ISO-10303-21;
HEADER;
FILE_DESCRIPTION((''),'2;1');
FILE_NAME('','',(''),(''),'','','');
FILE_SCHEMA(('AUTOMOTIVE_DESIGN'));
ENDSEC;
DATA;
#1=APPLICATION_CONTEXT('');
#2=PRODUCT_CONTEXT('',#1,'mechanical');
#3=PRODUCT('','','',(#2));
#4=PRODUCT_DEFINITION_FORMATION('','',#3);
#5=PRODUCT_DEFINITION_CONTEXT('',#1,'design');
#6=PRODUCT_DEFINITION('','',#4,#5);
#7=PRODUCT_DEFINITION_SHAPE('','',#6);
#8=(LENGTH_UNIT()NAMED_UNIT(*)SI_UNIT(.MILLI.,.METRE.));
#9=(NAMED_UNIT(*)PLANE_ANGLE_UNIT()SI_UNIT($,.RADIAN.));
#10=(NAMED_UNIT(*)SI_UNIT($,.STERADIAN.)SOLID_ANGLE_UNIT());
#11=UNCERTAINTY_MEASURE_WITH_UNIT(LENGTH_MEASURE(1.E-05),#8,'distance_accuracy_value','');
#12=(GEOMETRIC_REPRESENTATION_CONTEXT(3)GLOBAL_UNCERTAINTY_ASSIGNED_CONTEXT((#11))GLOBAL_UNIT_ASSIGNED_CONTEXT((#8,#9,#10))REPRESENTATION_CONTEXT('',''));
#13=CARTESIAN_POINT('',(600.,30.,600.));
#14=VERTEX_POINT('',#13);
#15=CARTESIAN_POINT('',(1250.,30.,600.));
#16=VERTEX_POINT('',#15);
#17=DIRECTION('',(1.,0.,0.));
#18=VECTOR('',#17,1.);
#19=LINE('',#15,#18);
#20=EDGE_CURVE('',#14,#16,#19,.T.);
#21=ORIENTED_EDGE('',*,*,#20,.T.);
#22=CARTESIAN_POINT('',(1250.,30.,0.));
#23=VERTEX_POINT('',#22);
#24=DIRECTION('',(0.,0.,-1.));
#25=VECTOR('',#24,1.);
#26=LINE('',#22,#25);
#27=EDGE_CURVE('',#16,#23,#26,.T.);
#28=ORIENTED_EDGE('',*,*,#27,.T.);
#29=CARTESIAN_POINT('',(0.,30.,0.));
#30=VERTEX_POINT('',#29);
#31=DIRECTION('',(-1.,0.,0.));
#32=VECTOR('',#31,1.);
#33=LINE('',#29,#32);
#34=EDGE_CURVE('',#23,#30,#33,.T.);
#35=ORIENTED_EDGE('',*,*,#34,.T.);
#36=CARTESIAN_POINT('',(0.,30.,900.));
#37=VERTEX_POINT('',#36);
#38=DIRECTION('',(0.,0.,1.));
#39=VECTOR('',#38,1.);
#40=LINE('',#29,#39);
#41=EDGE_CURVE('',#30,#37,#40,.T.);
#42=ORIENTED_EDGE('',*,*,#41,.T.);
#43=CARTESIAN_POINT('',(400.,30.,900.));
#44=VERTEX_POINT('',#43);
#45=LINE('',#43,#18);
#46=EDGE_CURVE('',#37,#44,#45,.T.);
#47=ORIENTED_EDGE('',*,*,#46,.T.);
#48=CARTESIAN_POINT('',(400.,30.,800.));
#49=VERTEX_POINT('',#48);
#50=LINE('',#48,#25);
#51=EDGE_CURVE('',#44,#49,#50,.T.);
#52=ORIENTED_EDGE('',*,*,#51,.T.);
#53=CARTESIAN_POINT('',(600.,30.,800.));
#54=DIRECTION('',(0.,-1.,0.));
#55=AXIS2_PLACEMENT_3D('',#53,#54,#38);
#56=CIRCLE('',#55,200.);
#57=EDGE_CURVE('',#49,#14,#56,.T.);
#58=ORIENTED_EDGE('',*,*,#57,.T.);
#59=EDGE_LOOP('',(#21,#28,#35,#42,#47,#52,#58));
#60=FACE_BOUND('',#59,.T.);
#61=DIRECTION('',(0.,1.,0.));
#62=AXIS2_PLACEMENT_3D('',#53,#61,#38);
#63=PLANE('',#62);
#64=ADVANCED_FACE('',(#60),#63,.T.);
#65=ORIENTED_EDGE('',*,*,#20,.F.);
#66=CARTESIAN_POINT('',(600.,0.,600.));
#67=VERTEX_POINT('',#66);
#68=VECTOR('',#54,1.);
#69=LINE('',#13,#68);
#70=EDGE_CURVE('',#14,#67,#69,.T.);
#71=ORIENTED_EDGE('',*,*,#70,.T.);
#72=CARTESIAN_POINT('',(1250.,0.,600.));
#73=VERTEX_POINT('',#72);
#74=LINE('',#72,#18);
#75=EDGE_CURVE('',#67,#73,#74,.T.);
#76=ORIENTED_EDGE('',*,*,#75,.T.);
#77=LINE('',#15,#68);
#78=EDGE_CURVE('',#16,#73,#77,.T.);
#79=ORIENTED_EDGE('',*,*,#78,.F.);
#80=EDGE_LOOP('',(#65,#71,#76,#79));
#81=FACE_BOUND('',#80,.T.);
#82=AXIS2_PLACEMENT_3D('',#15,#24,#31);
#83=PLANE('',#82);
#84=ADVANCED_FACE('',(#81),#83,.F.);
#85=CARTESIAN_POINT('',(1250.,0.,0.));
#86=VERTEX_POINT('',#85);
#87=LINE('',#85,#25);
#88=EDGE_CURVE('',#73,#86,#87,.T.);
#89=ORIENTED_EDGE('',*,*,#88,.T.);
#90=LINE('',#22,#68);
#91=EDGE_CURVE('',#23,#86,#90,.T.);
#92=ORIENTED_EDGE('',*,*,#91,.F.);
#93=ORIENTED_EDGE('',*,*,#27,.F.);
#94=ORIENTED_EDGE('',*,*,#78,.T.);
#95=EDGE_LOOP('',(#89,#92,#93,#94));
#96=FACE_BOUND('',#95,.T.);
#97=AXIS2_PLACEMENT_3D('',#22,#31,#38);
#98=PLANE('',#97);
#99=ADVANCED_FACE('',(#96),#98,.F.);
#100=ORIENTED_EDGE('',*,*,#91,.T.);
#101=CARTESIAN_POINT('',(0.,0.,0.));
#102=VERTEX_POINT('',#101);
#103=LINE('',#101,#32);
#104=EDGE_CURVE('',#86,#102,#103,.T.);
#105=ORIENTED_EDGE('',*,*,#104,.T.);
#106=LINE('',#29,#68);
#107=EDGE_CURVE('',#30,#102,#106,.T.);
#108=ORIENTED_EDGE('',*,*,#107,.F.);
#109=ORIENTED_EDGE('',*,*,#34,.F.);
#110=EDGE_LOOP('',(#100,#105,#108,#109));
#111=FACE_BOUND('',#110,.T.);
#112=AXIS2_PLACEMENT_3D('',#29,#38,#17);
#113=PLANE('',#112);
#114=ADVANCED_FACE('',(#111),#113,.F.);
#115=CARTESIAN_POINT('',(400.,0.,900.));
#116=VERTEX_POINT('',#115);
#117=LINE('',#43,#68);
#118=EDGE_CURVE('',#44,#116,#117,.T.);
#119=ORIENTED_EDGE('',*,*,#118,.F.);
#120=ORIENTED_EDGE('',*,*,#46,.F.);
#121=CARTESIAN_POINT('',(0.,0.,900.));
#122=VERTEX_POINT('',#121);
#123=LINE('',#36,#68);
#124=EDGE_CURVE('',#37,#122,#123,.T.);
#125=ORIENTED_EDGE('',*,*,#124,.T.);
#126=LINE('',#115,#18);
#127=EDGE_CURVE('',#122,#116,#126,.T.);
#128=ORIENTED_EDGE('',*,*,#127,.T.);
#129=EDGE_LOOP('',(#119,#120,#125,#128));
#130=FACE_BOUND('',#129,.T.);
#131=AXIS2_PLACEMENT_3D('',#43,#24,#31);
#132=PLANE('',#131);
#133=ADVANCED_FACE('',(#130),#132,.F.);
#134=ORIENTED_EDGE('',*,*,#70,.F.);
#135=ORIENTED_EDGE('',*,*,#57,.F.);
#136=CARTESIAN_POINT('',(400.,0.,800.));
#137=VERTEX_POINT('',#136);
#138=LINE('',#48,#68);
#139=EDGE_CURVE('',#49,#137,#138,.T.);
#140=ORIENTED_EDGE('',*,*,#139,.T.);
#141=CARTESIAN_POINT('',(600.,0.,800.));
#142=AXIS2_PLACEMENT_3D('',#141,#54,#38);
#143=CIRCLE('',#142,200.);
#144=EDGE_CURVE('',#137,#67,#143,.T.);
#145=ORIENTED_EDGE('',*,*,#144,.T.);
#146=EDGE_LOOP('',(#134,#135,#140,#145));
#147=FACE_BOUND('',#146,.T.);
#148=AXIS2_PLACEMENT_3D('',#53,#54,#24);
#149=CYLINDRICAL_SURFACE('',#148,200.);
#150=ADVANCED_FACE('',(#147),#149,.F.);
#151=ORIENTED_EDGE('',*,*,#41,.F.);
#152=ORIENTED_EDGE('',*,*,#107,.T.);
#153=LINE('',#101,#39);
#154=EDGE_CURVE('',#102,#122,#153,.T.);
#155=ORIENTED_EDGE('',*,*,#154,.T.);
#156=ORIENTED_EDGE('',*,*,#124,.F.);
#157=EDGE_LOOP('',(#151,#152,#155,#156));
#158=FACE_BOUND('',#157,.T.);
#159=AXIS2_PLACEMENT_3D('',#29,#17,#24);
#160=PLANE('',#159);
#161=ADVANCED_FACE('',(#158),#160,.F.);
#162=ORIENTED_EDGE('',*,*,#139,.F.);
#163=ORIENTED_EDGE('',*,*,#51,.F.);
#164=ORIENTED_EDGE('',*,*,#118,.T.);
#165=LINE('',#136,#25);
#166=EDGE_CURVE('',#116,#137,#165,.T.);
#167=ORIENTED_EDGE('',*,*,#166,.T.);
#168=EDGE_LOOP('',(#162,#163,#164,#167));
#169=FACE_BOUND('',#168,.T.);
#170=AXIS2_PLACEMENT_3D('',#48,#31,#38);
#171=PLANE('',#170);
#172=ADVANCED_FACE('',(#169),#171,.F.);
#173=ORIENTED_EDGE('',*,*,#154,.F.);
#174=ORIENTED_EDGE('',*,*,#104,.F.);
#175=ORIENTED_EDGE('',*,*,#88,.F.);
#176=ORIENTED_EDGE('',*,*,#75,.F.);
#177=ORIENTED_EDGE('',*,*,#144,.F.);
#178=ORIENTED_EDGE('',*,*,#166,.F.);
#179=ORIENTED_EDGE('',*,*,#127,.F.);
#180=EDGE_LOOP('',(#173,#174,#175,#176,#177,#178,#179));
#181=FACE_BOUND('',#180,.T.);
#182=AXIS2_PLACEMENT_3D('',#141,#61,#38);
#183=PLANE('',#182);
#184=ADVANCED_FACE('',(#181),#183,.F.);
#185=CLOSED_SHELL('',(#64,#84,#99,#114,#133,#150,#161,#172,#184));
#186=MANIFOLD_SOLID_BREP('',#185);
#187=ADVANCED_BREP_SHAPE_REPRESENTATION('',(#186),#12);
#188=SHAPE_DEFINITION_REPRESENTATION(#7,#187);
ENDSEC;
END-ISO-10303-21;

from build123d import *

# Parameters (mm, degrees)
BOSS_EXTRUDE1_DEPTH = 30


with BuildPart() as part:
    # Sketch1 → Boss-Extrude1 (new body)
    with BuildSketch(Plane(origin=(0, 0, 0), x_dir=(1, 0, 0), z_dir=(0, 1, 0))):
        with BuildLine():
            Line((0, 0), (0, -900))
            Line((0, -900), (400, -900))
            Line((400, -900), (400, -800))
            ThreePointArc((400, -800), (458.578643763, -658.578643763), (600, -600))
            Line((600, -600), (1250, -600))
            Line((1250, -600), (1250, 0))
            Line((1250, 0), (0, 0))
        make_face()
    extrude(amount=BOSS_EXTRUDE1_DEPTH)


solid = part.part
